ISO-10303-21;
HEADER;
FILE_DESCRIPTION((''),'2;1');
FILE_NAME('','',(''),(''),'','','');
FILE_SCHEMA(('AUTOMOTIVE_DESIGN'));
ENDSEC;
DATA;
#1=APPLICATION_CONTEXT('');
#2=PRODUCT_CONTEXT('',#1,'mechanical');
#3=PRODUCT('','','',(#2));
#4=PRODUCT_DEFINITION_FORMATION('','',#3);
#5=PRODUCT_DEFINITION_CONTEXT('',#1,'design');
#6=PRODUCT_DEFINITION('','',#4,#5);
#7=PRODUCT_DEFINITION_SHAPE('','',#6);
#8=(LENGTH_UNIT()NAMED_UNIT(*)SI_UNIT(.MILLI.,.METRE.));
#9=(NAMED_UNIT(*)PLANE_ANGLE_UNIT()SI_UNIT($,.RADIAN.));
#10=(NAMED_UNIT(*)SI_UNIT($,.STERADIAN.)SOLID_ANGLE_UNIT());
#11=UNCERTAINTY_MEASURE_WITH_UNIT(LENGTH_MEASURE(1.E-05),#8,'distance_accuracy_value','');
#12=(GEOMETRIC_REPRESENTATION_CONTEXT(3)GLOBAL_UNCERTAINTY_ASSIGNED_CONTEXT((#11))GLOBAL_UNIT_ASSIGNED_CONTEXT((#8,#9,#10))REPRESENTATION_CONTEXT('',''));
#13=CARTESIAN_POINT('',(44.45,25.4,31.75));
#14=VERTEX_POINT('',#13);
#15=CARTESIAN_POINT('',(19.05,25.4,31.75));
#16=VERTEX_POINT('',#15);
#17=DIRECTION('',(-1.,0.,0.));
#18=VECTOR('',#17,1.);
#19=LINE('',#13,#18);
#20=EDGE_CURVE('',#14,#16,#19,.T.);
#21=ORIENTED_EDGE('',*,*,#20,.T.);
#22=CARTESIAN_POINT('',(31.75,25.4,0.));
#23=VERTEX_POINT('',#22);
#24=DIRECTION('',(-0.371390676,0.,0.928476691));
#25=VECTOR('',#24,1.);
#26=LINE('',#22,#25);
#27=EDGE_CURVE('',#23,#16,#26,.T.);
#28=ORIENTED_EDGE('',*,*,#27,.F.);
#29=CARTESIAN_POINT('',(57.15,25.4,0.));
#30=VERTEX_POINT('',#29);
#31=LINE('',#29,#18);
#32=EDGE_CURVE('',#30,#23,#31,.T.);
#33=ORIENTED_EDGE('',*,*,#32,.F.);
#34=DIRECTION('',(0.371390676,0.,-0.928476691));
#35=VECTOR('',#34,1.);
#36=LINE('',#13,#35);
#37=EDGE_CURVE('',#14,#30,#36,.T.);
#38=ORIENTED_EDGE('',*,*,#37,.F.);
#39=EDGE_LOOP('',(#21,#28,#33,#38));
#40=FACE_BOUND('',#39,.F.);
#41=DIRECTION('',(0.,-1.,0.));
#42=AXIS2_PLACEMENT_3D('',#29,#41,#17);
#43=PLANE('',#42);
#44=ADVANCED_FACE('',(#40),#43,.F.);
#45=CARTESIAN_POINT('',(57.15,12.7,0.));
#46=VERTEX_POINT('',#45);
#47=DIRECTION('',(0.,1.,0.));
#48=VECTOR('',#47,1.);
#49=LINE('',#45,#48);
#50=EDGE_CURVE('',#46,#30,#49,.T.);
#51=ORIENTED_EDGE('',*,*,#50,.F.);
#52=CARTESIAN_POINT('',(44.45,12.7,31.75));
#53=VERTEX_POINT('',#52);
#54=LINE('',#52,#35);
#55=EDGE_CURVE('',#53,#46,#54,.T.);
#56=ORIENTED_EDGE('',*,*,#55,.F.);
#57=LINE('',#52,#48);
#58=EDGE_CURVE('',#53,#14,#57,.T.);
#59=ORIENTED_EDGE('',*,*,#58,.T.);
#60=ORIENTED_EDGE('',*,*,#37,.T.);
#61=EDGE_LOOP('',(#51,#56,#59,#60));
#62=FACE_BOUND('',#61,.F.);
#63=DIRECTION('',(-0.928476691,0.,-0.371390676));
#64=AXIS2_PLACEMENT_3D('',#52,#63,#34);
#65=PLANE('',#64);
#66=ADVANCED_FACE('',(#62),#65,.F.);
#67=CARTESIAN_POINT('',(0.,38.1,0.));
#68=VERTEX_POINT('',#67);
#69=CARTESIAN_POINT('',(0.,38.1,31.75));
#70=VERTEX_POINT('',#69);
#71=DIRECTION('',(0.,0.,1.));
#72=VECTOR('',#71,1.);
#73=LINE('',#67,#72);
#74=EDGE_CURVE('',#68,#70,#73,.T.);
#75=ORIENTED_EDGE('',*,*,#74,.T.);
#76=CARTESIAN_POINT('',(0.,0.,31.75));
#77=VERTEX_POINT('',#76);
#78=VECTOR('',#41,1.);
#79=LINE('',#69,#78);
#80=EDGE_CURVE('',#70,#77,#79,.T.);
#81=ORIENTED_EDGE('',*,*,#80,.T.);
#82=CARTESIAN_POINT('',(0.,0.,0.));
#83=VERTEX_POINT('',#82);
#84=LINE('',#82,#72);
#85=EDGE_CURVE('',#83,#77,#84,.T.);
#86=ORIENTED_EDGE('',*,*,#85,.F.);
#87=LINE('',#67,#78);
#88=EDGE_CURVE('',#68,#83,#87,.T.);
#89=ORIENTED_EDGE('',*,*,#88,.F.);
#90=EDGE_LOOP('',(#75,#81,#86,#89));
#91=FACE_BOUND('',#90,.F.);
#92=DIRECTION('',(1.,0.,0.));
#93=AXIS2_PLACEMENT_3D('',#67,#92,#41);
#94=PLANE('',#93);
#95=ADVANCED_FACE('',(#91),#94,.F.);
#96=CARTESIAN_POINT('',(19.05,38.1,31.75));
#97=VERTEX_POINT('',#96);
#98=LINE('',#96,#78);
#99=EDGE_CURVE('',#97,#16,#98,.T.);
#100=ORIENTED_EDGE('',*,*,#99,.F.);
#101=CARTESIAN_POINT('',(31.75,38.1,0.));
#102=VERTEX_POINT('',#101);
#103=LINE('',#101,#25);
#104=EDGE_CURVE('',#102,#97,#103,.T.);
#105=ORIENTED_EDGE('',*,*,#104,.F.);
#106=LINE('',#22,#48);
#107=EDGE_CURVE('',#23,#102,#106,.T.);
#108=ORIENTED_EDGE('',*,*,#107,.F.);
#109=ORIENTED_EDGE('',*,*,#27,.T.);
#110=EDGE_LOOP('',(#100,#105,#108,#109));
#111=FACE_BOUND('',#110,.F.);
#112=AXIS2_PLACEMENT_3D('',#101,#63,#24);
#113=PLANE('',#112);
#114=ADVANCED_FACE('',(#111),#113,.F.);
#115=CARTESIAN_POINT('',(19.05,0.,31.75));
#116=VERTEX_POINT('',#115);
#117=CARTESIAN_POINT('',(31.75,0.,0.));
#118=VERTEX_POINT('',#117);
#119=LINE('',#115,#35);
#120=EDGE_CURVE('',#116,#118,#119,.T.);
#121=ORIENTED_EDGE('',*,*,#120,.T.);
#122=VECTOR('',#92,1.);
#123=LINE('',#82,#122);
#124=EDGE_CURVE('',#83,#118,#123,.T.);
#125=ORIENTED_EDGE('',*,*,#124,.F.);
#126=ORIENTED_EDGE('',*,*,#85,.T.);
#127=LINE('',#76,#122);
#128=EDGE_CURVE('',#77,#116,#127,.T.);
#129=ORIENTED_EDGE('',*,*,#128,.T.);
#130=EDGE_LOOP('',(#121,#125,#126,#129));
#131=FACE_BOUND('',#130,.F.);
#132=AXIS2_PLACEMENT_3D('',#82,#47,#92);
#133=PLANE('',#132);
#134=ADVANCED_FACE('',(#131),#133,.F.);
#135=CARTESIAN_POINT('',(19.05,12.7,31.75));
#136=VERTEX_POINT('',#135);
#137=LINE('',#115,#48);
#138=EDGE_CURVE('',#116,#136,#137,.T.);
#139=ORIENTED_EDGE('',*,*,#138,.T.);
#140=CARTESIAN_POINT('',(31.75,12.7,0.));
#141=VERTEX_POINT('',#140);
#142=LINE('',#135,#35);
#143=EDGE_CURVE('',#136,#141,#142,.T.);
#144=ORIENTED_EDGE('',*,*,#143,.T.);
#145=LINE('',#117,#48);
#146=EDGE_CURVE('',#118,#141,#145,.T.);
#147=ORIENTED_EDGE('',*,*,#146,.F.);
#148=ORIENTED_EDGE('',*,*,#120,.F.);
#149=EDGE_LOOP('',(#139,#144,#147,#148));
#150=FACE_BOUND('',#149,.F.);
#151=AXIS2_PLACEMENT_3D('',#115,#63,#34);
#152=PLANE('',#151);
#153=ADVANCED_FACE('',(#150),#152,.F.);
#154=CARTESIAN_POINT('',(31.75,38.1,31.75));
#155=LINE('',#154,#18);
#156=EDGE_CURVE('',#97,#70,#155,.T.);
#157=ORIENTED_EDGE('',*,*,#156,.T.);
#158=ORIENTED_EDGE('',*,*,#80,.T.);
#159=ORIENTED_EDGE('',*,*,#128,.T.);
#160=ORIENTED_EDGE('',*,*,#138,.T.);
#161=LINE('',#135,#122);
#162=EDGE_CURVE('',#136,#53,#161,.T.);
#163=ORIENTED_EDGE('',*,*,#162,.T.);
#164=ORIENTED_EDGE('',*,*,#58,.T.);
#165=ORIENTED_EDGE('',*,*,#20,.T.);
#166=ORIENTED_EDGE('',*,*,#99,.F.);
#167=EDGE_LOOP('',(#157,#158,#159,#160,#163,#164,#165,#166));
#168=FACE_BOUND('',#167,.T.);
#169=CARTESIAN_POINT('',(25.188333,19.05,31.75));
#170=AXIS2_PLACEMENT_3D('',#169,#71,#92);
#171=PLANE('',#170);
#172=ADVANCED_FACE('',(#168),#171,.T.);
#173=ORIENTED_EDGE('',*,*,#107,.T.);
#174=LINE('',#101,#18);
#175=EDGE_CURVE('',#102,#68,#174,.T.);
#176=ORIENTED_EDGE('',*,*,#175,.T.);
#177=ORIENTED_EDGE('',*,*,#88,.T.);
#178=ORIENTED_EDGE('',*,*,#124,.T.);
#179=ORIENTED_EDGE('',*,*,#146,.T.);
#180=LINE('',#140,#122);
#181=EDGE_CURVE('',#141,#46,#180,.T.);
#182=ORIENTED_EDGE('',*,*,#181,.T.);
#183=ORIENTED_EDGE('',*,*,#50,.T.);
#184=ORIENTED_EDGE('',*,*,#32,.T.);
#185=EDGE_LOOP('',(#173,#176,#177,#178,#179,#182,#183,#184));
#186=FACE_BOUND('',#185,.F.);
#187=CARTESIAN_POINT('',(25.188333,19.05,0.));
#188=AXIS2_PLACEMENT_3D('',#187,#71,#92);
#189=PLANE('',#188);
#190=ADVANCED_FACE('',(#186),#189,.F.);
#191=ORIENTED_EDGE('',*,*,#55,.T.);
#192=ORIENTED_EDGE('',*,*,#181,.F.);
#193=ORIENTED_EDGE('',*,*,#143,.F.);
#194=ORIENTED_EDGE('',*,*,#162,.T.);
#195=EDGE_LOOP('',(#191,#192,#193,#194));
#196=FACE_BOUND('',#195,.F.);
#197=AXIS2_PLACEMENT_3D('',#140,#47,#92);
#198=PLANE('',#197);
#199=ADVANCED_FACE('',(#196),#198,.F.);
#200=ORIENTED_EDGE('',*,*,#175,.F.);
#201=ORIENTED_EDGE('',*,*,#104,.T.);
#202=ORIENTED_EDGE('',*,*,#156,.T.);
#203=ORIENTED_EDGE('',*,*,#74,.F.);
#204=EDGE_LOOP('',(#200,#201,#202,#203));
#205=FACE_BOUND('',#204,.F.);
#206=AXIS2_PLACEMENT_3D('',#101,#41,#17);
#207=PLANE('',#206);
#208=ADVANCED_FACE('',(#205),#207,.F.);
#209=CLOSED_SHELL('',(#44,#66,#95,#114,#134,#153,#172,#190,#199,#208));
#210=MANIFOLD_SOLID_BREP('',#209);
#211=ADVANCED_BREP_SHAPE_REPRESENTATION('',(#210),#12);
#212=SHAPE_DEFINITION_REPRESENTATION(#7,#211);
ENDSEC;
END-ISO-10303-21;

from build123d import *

# Parameters (mm, degrees)
F1_DEPTH = 31.75
F3_DEPTH = 12.7
F5_DEPTH = 12.7
F7_DEPTH = 12.7
F8_DEPTH = 25.4


with BuildPart() as f1:
    # F0 (on Top) → F1 (new body)
    with BuildSketch(Plane.XY):
        Polygon((0, 38.1), (0, 0), (31.75, 0), (31.75, 12.7), (57.15, 12.7), (57.15, 25.4), (31.75, 25.4), (31.75, 38.1), align=None)
    extrude(amount=F1_DEPTH)

    # F2 (on face) → F3 (cut)
    with BuildSketch(Plane.XZ):
        Polygon((31.75, 31.75), (19.05, 31.75), (31.75, 0), align=None)
    extrude(amount=-F3_DEPTH, mode=Mode.SUBTRACT)

    # F4 (on face) → F5 (cut)
    with BuildSketch(Plane.XZ.offset(-12.7)):
        Polygon((57.15, 31.75), (44.45, 31.75), (57.15, 0), align=None)
    extrude(amount=-F5_DEPTH, mode=Mode.SUBTRACT)

    # F6 (on face) → F7 (cut)
    with BuildSketch(Plane(origin=(0, 38.1, 0), x_dir=(-1, 0, 0), z_dir=(0, 1, 0))):
        Polygon((-31.75, 0), (-19.05, 31.75), (-31.75, 31.75), align=None)
    extrude(amount=-F7_DEPTH, mode=Mode.SUBTRACT)

    # F4 (on face) → F8 (cut)
    with BuildSketch(Plane.XZ.offset(-12.7)):
        Polygon((57.15, 31.75), (44.45, 31.75), (57.15, 0), align=None)
    extrude(amount=-F8_DEPTH, mode=Mode.SUBTRACT)


solid = f1.part
